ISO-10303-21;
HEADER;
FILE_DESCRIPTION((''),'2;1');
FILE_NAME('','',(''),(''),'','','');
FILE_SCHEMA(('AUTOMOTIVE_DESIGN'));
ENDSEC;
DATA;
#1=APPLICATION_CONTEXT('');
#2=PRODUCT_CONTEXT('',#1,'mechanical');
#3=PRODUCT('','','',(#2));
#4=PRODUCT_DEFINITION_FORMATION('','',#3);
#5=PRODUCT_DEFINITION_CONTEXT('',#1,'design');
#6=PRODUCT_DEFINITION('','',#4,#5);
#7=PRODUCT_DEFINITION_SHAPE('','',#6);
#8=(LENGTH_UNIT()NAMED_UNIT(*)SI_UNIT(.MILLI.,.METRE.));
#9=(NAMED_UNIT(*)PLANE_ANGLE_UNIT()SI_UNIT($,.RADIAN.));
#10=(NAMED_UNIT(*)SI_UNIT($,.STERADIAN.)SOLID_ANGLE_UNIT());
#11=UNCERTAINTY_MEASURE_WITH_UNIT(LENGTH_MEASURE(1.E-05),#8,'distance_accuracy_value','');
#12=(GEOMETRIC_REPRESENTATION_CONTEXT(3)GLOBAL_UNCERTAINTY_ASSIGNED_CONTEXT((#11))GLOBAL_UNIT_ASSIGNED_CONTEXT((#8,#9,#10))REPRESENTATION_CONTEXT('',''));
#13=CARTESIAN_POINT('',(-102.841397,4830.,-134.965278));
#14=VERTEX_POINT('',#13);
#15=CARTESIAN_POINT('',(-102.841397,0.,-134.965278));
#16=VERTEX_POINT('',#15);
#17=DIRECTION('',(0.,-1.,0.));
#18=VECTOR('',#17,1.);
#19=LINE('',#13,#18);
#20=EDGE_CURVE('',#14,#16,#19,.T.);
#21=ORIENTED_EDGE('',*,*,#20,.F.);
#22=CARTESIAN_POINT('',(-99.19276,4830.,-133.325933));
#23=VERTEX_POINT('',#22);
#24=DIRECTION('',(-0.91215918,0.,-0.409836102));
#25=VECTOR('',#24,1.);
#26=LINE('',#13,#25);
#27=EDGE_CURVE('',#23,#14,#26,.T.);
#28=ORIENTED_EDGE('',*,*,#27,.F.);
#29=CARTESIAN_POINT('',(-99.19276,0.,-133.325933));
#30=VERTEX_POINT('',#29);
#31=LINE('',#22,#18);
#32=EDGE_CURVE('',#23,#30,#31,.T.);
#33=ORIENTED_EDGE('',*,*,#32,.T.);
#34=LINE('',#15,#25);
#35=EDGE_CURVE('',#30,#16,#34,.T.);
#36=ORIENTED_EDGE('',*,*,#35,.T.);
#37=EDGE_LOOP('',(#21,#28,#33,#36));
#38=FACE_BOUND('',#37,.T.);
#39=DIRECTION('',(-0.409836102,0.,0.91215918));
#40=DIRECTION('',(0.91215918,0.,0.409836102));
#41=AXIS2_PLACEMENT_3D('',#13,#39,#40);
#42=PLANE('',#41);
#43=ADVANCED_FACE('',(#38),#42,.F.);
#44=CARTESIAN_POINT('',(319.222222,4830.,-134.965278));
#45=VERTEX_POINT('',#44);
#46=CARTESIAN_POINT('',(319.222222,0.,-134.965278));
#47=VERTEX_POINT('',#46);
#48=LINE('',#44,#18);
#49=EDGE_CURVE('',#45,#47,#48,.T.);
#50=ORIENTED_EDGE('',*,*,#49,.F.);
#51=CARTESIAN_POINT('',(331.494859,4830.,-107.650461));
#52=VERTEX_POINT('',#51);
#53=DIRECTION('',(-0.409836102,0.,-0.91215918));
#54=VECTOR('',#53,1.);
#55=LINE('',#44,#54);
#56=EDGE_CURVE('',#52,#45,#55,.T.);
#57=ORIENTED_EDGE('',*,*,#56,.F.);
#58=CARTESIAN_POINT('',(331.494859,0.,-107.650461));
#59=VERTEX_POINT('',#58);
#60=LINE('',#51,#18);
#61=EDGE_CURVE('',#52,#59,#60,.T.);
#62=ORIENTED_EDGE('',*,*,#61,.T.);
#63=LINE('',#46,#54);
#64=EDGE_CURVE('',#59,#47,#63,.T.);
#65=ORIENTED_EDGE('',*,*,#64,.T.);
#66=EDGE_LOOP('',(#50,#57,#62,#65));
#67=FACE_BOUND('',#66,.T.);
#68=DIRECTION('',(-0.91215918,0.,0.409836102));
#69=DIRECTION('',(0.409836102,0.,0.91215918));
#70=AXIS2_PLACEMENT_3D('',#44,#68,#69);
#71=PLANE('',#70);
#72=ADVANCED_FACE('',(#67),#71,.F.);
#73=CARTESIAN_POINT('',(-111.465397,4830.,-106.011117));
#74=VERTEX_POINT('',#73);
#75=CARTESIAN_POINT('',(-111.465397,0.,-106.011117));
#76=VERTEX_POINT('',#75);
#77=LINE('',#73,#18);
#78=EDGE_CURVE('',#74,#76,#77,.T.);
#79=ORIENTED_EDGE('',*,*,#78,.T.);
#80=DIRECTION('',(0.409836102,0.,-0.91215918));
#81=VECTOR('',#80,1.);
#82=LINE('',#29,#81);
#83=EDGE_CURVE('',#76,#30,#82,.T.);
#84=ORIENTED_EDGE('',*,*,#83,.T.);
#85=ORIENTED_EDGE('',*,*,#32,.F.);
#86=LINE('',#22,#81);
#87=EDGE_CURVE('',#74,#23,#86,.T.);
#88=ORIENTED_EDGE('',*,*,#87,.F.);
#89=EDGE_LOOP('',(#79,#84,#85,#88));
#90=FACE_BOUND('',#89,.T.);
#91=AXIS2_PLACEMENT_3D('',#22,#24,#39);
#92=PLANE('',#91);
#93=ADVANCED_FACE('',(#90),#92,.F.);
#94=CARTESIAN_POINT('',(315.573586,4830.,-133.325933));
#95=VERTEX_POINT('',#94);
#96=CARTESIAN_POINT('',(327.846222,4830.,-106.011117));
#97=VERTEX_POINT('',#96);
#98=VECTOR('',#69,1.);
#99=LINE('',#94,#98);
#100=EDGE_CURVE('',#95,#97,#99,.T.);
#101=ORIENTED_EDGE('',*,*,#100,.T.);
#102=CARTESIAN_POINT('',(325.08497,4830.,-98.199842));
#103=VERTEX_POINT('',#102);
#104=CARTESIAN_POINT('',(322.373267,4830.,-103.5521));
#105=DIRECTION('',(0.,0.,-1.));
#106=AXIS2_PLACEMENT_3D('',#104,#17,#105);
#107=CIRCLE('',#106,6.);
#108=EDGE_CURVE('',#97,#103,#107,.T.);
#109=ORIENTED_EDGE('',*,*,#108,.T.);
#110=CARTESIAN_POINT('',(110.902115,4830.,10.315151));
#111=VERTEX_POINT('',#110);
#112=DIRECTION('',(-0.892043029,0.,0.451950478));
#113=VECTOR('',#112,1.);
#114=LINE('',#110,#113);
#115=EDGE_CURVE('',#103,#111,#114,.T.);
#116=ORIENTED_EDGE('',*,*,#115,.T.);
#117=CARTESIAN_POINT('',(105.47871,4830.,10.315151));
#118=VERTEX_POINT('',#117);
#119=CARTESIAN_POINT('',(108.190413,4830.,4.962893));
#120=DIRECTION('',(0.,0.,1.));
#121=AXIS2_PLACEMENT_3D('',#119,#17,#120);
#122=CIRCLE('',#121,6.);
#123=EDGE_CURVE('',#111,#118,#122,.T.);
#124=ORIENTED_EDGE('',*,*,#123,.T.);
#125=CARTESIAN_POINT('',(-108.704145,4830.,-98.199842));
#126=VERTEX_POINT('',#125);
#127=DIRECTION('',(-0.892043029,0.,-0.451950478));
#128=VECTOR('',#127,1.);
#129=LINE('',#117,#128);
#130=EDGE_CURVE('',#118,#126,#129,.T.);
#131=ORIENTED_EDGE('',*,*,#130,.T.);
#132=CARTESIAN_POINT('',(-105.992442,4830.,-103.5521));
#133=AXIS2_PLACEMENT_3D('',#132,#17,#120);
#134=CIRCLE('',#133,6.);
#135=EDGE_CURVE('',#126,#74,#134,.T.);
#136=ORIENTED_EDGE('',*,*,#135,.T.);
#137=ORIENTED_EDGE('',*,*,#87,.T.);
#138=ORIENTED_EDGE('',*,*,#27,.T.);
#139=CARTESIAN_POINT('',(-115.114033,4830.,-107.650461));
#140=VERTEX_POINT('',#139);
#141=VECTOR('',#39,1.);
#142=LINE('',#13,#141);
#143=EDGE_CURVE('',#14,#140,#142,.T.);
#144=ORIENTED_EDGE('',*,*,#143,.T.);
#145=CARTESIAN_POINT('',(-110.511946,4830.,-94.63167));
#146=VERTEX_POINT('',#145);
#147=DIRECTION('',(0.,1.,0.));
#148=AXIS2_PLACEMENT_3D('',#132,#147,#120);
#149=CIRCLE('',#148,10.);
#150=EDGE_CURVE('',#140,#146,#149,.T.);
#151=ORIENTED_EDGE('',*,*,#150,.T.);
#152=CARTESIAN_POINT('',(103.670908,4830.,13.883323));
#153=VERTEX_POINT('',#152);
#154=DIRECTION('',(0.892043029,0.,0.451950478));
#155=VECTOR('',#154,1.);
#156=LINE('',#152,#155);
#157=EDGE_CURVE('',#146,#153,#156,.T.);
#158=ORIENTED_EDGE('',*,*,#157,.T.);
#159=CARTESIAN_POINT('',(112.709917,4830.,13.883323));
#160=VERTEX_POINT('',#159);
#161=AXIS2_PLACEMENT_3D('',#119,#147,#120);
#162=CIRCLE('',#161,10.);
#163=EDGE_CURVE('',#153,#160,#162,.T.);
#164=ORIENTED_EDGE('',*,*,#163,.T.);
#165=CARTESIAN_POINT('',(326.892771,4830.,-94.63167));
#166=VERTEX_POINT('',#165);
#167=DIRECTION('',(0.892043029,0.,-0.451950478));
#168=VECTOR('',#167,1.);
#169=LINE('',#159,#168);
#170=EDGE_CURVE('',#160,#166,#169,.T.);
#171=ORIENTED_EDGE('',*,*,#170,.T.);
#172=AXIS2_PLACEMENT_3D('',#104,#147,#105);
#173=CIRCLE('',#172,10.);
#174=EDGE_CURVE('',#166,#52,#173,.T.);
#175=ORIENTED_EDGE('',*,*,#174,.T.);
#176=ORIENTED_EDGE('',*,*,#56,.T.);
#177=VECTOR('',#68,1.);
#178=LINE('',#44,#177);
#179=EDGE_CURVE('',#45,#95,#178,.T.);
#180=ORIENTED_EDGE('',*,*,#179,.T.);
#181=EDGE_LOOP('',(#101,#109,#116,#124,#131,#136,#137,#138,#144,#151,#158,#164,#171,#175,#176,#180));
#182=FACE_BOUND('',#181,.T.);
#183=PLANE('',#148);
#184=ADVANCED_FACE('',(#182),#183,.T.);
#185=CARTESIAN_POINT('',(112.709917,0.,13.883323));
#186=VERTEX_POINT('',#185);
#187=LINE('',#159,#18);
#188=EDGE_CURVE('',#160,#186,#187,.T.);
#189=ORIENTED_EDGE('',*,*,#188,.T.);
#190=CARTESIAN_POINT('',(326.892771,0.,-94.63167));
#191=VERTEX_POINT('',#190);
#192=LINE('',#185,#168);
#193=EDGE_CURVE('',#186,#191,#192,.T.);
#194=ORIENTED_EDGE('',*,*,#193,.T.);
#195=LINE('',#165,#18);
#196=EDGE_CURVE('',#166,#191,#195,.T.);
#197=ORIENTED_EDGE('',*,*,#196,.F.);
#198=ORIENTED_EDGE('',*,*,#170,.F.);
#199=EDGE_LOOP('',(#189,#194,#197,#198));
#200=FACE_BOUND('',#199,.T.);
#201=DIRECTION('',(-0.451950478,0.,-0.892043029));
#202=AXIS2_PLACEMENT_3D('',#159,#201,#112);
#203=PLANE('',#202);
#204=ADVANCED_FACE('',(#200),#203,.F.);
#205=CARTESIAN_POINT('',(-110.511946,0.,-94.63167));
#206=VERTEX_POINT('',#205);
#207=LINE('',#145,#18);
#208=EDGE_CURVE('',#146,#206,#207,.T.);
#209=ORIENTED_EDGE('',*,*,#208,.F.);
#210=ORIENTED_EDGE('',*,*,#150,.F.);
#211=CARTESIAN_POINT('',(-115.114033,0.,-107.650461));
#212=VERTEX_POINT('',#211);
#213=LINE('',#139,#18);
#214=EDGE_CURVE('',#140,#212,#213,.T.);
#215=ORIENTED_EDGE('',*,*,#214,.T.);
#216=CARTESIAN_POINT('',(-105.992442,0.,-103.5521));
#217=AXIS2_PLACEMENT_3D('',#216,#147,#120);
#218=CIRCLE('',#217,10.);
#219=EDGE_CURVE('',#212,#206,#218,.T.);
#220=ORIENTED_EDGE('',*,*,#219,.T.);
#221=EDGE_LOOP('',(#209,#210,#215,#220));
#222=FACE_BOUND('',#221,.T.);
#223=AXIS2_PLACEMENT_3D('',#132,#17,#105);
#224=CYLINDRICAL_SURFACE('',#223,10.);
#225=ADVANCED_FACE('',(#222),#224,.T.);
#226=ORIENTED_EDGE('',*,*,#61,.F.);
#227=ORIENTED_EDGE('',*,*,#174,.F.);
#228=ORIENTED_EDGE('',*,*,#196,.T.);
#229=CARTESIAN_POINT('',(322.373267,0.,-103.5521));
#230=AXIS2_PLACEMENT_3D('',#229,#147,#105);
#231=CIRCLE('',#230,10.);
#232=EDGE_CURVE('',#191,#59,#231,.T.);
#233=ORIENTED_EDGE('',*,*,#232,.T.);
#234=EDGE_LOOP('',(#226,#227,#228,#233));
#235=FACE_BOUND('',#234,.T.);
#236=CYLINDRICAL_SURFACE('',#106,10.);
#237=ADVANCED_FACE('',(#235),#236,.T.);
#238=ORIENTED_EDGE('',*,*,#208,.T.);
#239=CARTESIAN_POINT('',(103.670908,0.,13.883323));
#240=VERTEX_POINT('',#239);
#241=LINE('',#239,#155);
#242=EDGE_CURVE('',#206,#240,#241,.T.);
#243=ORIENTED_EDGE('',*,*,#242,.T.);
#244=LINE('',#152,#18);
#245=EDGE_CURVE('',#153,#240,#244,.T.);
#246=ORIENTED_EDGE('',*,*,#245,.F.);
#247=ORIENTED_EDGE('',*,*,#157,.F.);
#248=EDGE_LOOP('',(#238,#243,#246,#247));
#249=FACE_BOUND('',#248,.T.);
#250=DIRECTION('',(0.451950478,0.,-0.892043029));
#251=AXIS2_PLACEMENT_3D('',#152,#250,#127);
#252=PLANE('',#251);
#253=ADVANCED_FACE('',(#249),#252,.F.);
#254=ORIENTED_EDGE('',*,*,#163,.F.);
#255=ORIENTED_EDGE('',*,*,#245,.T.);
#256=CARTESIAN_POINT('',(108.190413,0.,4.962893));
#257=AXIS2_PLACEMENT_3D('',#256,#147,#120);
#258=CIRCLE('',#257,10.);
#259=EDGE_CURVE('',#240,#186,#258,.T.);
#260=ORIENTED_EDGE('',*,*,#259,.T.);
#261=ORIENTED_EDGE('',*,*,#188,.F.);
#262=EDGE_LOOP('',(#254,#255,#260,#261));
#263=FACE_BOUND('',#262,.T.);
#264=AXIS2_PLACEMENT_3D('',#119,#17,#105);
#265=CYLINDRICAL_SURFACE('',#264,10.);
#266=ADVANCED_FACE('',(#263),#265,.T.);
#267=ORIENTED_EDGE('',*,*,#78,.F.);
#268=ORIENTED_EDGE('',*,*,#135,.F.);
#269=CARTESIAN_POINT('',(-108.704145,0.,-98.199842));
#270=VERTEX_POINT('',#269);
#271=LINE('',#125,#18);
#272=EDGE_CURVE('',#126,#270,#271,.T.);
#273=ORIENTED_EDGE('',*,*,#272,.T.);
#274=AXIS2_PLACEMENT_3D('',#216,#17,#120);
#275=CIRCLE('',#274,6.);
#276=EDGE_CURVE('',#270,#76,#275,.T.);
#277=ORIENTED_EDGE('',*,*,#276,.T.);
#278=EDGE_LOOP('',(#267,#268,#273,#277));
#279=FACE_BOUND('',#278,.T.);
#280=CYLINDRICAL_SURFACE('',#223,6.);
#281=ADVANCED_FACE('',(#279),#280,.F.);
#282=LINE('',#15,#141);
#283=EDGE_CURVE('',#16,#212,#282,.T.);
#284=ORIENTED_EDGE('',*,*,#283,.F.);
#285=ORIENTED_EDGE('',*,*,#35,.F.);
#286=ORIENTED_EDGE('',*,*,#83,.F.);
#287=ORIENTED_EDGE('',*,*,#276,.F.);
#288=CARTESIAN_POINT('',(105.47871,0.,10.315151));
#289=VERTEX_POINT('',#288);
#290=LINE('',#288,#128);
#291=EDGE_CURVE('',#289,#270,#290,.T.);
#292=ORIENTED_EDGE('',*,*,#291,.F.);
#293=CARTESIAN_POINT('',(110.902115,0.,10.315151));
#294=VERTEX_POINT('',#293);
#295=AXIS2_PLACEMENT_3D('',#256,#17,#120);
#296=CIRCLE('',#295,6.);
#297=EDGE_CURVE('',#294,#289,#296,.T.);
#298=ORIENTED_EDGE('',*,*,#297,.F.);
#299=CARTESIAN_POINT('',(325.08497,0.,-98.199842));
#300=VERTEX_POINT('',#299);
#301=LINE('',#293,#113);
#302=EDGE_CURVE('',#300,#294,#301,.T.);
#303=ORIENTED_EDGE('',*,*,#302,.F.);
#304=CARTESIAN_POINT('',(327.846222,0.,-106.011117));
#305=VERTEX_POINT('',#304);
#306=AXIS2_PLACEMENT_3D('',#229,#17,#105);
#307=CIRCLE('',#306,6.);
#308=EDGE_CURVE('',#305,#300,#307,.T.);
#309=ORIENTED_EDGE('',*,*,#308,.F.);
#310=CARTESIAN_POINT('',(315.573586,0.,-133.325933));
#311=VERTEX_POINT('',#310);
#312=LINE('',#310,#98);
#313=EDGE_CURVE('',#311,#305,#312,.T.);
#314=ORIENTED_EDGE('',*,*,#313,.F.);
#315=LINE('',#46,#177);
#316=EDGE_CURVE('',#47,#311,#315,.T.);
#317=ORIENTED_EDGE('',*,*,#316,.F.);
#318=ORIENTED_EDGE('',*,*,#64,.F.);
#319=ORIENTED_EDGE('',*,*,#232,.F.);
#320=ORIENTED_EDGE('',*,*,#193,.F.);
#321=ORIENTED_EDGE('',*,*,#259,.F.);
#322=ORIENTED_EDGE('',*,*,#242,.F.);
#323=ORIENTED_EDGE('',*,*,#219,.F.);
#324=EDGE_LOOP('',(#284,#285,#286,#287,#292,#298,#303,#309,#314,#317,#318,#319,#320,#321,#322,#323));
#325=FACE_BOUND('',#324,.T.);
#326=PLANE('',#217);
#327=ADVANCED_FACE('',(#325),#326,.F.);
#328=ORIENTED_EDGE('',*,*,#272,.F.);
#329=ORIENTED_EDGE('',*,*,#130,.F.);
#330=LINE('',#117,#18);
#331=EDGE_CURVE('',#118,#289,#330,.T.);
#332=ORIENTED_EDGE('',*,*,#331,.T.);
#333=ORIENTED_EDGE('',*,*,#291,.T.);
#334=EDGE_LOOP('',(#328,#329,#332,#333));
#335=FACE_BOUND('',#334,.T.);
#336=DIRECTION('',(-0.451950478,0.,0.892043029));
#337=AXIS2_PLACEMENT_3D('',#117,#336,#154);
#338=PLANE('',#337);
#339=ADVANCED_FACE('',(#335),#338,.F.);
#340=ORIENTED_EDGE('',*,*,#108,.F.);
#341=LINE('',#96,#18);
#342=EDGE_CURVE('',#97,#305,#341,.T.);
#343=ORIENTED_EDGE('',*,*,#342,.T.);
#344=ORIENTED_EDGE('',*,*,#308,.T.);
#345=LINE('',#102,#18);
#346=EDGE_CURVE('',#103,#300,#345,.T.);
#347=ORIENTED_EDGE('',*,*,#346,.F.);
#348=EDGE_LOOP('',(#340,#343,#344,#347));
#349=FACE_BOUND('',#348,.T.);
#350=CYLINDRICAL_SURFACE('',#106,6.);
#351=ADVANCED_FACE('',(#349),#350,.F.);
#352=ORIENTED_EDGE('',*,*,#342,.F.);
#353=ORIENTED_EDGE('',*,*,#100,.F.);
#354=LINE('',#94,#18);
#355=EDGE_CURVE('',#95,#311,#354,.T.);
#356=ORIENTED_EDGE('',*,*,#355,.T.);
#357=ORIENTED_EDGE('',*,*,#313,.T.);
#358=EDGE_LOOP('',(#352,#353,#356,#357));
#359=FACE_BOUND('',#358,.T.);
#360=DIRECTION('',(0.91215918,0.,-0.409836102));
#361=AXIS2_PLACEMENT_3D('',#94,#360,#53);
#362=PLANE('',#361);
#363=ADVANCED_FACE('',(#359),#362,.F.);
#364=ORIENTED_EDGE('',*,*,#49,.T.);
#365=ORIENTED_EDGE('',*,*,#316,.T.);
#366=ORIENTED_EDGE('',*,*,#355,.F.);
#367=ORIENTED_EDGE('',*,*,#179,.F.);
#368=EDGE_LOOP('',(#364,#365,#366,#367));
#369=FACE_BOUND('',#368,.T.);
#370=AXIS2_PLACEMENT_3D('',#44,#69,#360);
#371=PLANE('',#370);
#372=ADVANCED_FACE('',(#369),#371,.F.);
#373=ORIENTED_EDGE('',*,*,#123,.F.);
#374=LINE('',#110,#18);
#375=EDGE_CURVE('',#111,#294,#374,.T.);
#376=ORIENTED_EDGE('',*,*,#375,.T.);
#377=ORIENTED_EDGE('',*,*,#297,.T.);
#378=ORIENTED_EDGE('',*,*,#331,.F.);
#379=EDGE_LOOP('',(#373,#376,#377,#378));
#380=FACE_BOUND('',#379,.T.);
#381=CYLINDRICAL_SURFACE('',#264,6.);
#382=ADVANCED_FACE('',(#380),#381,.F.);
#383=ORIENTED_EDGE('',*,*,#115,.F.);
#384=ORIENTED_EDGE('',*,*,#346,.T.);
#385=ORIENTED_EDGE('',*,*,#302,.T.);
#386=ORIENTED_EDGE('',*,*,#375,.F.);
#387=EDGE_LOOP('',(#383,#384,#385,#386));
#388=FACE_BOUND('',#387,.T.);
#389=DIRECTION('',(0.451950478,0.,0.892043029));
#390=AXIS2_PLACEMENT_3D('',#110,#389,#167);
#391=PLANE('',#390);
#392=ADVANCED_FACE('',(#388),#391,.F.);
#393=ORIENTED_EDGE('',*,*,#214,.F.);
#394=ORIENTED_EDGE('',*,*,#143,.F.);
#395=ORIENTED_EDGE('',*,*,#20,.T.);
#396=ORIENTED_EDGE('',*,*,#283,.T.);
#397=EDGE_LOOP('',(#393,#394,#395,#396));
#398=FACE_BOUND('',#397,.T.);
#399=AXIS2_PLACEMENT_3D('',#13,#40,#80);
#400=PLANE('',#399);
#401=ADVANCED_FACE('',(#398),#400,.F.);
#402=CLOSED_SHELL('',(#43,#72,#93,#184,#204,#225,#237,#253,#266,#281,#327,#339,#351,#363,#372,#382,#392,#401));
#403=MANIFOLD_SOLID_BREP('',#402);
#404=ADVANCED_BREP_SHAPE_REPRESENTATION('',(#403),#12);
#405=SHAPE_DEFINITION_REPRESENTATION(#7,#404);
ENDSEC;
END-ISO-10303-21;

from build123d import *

# Parameters (mm, degrees)
BOSS_EXTRUDE2_DEPTH = 4830


with BuildPart() as part:
    # Sketch1 → Boss-Extrude2 (new body)
    with BuildSketch(Plane(origin=(0, 0, 0), x_dir=(1, 0, 0), z_dir=(0, 1, 0))):
        with BuildLine():
            Line((319.222222222, 134.965277778), (331.494858512, 107.65046142))
            ThreePointArc((331.494858512, 107.65046142), (331.801527991, 100.219250383), (326.892771492, 94.631670113))
            Line((326.892771492, 94.631670113), (112.709917293, -13.883323219))
            ThreePointArc((112.709917293, -13.883323219), (108.190412513, -14.962892929), (103.670907733, -13.883323219))
            Line((103.670907733, -13.883323219), (-110.511946465, 94.631670113))
            ThreePointArc((-110.511946465, 94.631670113), (-115.420702964, 100.219250383), (-115.114033485, 107.65046142))
            Line((-115.114033485, 107.65046142), (-102.841397196, 134.965277778))
            Line((-102.841397196, 134.965277778), (-99.192760475, 133.325933371))
            Line((-99.192760475, 133.325933371), (-111.465396765, 106.011117013))
            ThreePointArc((-111.465396765, 106.011117013), (-111.649398452, 101.552390391), (-108.704144553, 98.199842229))
            Line((-108.704144553, 98.199842229), (105.478709645, -10.315151103))
            ThreePointArc((105.478709645, -10.315151103), (108.190412513, -10.962892929), (110.902115381, -10.315151103))
            Line((110.902115381, -10.315151103), (325.08496958, 98.199842229))
            ThreePointArc((325.08496958, 98.199842229), (328.030223479, 101.552390391), (327.846221792, 106.011117013))
            Line((327.846221792, 106.011117013), (315.573585502, 133.325933371))
            Line((315.573585502, 133.325933371), (319.222222222, 134.965277778))
        make_face()
    extrude(amount=BOSS_EXTRUDE2_DEPTH)


solid = part.part
